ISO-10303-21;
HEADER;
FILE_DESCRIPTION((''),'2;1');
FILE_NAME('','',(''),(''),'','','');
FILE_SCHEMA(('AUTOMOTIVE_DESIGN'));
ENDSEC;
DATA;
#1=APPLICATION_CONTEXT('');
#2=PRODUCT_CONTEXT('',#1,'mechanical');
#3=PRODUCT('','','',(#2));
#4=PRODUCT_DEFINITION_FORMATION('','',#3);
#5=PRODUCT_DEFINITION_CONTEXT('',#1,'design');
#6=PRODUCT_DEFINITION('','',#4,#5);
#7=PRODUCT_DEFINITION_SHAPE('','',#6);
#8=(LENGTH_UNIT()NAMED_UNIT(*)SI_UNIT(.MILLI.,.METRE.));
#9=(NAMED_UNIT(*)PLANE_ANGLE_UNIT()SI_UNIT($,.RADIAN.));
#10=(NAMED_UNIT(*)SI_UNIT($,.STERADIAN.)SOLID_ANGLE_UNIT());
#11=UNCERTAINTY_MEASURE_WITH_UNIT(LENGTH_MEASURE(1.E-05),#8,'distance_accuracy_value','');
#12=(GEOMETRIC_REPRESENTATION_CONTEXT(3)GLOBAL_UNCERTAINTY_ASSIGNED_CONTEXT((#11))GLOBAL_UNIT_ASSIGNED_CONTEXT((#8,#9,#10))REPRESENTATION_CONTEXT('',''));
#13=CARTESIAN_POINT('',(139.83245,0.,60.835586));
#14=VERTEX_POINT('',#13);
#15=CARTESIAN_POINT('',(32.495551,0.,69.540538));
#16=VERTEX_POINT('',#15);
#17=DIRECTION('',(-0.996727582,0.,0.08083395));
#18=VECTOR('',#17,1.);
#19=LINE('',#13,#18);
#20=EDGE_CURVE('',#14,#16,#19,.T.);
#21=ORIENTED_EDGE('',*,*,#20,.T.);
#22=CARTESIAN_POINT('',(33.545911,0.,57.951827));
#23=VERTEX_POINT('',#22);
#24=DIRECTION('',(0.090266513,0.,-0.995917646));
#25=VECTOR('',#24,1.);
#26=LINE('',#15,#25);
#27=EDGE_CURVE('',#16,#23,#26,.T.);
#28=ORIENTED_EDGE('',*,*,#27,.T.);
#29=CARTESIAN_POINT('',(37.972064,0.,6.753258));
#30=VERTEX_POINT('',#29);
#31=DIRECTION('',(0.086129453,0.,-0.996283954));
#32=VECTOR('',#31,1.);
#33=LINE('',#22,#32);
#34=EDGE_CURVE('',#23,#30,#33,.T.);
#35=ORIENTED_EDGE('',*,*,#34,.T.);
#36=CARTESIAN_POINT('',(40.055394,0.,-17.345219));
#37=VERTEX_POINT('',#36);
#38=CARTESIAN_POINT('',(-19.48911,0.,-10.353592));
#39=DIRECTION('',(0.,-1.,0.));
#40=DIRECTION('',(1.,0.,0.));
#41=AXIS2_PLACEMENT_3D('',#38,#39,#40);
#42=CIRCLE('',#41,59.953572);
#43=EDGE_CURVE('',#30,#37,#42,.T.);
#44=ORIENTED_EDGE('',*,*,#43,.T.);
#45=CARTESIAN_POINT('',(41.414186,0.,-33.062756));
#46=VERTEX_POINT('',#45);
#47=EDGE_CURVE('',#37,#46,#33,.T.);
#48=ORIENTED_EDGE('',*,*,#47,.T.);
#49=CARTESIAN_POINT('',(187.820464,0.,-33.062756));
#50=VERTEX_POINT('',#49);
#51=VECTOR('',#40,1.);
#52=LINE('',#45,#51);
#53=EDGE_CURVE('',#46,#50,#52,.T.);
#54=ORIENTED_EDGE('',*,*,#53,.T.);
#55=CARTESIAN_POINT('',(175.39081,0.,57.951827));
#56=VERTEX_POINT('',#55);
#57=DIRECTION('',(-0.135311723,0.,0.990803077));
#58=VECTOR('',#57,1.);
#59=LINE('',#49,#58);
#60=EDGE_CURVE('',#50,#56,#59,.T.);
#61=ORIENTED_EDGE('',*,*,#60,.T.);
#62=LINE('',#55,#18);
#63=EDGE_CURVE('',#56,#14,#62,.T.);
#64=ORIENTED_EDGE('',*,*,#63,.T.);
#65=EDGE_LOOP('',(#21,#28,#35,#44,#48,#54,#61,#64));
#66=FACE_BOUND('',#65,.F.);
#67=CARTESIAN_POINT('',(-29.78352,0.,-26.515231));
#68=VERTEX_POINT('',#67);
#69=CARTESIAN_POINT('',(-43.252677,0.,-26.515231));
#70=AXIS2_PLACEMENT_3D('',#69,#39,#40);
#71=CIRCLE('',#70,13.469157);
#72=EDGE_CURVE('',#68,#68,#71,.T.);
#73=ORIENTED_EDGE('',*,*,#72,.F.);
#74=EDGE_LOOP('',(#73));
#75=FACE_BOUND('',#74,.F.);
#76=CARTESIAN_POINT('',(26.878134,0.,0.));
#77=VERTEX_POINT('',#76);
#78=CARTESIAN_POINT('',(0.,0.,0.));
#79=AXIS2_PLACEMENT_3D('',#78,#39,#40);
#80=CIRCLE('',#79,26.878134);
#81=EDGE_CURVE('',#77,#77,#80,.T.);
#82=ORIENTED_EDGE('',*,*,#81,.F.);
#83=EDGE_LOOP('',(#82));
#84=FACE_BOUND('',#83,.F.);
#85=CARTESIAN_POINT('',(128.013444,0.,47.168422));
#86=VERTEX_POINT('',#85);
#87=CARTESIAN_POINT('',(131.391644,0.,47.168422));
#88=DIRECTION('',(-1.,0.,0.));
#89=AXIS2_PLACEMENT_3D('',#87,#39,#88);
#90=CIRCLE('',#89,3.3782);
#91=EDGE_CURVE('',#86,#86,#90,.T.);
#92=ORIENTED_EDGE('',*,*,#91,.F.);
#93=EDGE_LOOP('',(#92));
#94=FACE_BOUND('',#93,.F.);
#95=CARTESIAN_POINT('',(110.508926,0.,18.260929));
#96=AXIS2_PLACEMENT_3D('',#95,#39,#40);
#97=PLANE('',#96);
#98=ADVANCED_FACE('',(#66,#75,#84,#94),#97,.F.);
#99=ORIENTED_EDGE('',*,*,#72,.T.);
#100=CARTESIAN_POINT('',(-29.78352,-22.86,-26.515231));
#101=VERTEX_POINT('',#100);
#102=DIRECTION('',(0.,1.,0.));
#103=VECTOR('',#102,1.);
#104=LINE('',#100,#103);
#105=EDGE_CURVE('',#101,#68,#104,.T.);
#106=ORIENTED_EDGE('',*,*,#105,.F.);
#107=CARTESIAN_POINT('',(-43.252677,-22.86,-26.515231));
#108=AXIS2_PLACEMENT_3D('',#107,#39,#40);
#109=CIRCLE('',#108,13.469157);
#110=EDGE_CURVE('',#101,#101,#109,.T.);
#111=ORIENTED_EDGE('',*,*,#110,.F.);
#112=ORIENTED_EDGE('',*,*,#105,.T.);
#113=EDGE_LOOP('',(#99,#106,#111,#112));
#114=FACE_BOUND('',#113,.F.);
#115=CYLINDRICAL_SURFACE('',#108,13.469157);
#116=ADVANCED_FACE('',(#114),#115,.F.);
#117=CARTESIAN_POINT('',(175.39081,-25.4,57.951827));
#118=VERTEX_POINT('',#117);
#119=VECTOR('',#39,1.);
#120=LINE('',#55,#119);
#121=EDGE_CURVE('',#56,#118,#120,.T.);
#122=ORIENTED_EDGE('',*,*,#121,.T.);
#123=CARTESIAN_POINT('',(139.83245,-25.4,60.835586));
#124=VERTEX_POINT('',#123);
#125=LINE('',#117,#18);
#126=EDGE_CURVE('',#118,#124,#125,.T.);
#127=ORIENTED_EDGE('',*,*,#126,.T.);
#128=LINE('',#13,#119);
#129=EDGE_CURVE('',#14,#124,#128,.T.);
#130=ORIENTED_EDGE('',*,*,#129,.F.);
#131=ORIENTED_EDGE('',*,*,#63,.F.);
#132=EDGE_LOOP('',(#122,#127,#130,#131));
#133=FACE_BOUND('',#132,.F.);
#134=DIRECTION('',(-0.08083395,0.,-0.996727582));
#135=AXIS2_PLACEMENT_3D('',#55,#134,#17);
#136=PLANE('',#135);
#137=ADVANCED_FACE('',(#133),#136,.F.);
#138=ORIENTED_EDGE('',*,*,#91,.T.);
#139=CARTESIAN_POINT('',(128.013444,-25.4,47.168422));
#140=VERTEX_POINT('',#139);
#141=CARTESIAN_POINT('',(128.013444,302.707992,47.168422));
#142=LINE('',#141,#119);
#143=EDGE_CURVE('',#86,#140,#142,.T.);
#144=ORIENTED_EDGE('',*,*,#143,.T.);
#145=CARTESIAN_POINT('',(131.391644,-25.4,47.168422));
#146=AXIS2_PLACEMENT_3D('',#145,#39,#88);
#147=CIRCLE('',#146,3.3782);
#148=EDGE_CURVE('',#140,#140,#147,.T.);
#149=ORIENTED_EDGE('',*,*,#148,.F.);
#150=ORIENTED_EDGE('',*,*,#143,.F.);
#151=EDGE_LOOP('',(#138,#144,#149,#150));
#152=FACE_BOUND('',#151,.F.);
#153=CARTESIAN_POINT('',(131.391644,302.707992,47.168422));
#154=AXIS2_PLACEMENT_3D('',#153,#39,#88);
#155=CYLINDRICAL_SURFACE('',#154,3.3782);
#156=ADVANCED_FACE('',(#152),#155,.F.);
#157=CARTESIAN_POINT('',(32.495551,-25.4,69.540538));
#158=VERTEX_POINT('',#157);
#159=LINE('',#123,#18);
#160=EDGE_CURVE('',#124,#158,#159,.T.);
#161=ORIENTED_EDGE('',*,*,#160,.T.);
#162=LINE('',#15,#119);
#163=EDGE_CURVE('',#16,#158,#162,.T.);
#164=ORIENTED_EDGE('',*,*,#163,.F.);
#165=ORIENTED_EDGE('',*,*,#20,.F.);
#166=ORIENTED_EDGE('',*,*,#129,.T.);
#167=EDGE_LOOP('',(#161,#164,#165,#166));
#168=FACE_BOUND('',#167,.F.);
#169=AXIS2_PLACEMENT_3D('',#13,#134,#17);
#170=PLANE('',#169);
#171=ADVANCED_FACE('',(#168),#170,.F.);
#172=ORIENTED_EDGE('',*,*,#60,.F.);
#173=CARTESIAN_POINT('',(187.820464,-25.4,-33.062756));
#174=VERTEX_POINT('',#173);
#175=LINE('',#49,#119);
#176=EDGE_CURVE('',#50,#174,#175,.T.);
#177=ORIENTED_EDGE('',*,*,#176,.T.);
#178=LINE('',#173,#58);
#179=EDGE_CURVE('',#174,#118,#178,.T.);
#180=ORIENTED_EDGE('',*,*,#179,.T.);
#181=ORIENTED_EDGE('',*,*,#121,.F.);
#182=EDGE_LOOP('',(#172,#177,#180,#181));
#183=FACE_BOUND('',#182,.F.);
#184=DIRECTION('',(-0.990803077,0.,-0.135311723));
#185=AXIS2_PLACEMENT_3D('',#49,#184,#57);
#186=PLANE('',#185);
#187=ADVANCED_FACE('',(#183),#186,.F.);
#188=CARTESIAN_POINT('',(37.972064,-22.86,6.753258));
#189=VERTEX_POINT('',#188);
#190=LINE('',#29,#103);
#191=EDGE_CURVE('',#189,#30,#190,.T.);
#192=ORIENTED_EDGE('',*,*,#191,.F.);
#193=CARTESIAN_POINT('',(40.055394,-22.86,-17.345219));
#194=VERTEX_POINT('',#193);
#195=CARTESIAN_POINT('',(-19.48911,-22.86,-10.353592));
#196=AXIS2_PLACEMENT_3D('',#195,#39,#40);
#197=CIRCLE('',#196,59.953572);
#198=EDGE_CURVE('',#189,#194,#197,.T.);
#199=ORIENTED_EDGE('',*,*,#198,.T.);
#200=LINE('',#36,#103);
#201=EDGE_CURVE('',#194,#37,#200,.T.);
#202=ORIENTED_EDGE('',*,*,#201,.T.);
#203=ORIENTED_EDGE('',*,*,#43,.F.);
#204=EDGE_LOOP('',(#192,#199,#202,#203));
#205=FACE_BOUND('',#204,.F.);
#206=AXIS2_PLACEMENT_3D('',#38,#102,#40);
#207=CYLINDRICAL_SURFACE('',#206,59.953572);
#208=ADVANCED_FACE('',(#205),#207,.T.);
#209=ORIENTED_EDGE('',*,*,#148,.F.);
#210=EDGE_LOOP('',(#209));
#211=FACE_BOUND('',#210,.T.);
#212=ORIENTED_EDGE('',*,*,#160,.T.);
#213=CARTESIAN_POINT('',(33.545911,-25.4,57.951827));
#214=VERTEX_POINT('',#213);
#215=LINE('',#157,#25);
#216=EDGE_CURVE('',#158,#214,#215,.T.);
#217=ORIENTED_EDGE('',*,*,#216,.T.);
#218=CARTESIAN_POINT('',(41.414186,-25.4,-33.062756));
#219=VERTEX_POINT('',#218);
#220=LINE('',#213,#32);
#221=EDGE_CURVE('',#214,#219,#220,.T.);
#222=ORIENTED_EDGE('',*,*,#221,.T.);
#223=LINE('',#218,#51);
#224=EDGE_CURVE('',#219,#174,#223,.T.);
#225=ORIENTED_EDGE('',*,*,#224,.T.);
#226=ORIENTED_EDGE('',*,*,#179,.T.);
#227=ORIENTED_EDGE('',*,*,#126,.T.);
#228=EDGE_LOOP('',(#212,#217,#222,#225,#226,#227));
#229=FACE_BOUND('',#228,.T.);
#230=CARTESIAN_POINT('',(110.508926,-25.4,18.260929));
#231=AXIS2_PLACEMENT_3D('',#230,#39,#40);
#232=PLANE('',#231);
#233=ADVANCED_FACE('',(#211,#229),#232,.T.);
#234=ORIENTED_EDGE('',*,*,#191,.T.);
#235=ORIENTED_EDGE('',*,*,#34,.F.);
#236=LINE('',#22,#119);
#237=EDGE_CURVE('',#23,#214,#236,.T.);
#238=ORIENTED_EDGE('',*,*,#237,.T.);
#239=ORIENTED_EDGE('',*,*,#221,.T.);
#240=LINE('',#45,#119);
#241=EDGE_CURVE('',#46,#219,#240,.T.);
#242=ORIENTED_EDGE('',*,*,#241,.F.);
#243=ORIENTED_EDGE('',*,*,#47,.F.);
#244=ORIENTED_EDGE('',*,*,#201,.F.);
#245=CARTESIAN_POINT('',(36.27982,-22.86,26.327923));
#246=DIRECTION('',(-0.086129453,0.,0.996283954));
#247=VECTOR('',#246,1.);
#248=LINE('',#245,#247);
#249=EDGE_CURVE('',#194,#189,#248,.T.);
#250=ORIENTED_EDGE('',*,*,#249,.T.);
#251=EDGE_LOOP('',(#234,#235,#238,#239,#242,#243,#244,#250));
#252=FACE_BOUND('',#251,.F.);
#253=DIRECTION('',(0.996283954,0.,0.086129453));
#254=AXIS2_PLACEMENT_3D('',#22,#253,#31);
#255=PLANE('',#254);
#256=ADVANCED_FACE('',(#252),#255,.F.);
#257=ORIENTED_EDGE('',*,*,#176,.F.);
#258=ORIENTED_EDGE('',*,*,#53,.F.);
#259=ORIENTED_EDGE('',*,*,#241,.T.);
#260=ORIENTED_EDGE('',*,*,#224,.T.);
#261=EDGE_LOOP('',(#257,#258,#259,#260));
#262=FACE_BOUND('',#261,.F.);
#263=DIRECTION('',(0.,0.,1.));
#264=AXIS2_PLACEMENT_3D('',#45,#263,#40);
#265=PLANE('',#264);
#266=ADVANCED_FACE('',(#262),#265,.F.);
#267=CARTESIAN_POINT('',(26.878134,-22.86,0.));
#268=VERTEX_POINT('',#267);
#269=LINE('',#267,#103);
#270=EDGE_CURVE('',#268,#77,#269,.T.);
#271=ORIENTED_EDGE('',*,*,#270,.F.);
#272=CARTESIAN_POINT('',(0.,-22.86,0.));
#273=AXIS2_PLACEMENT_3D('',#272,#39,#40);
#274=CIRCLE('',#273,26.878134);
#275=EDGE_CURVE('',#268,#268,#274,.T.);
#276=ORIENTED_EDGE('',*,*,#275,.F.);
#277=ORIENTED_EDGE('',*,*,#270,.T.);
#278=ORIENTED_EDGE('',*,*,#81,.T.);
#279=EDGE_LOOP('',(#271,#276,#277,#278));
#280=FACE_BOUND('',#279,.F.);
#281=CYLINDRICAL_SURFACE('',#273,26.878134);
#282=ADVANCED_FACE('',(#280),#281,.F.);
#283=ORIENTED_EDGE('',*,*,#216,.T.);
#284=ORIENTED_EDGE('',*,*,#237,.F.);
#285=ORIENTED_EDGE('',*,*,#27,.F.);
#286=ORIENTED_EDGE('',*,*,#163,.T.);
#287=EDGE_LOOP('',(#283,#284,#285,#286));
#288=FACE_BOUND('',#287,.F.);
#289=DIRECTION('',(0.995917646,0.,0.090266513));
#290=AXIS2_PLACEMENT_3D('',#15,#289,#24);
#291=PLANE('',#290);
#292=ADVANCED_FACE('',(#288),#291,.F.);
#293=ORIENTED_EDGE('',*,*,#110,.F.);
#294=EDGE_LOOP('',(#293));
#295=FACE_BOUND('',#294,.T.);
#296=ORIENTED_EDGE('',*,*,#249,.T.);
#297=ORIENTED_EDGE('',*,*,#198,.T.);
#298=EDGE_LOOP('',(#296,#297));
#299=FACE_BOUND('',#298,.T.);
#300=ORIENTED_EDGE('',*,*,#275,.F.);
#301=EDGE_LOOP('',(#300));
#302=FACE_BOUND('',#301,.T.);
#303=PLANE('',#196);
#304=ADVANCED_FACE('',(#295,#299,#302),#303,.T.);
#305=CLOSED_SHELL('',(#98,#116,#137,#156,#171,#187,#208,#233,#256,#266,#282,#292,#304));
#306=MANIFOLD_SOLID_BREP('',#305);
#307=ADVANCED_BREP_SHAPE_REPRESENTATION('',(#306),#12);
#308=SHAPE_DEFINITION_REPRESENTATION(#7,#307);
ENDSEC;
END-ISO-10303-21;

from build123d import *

# Parameters (mm, degrees)
F0_R     = 59.9535716792
F1_DEPTH = 22.86
F2_R     = 26.8781341555
F3_DEPTH = 22.861
F4_R     = 13.4691567937
F5_DEPTH = 22.861
F7_DEPTH = 25.4
F8_D     = 6.7564


with BuildPart() as f1:
    # F0 (on Front) → F1 (new body)
    with BuildSketch(Plane.XZ):
        with Locations((-19.4891095161, -10.3535922244)):
            Circle(F0_R)
    extrude(amount=F1_DEPTH)

    # F2 (on face) → F3 (cut, through all)
    with BuildSketch(Plane.XZ.offset(22.86)):
        Circle(F2_R)
    extrude(amount=-F3_DEPTH, mode=Mode.SUBTRACT)

    # F4 (on face) → F5 (cut, through all)
    with BuildSketch(Plane.XZ.offset(22.86)):
        with Locations((-43.2526767254, -26.5152305365)):
            Circle(F4_R)
    extrude(amount=-F5_DEPTH, mode=Mode.SUBTRACT)

    # F6 (on Front) → F7 (join)
    with BuildSketch(Plane.XZ):
        with BuildLine():
            Line((125.263456354, 62.0171219158), (32.4955508113, 69.5405378938))
            Line((32.4955508113, 69.5405378938), (33.5459113121, 57.9518266022))
            Line((33.5459113121, 57.9518266022), (41.4141863585, -33.0627560616))
            Line((41.4141863585, -33.0627560616), (187.8204643726, -33.0627560616))
            Line((187.8204643726, -33.0627560616), (175.3908097744, 57.9518266022))
            Line((175.3908097744, 57.9518266022), (139.8324502944, 60.8355861125))
            ThreePointArc((139.8324502944, 60.8355861125), (145.4206878129, 54.9930315803), (147.4552232917, 47.1684224904))
            ThreePointArc((147.4552232917, 47.1684224904), (122.458617796, 33.8177821083), (125.263456354, 62.0171219158))
        make_face()
        with BuildLine():
            Line((139.8324502944, 60.8355861125), (125.263456354, 62.0171219158))
            ThreePointArc((125.263456354, 62.0171219158), (122.458617796, 33.8177821083), (147.4552232917, 47.1684224904))
            ThreePointArc((147.4552232917, 47.1684224904), (145.4206878129, 54.9930315803), (139.8324502944, 60.8355861125))
        make_face()
    extrude(amount=F7_DEPTH)

    # F8 (through all)
    with Locations(Plane(origin=(0, 0, 0), x_dir=(1, 0, 0), z_dir=(0, 1, 0))):
        with Locations((131.3916444778, -47.1684224904)):
            Hole(F8_D / 2)


solid = f1.part
